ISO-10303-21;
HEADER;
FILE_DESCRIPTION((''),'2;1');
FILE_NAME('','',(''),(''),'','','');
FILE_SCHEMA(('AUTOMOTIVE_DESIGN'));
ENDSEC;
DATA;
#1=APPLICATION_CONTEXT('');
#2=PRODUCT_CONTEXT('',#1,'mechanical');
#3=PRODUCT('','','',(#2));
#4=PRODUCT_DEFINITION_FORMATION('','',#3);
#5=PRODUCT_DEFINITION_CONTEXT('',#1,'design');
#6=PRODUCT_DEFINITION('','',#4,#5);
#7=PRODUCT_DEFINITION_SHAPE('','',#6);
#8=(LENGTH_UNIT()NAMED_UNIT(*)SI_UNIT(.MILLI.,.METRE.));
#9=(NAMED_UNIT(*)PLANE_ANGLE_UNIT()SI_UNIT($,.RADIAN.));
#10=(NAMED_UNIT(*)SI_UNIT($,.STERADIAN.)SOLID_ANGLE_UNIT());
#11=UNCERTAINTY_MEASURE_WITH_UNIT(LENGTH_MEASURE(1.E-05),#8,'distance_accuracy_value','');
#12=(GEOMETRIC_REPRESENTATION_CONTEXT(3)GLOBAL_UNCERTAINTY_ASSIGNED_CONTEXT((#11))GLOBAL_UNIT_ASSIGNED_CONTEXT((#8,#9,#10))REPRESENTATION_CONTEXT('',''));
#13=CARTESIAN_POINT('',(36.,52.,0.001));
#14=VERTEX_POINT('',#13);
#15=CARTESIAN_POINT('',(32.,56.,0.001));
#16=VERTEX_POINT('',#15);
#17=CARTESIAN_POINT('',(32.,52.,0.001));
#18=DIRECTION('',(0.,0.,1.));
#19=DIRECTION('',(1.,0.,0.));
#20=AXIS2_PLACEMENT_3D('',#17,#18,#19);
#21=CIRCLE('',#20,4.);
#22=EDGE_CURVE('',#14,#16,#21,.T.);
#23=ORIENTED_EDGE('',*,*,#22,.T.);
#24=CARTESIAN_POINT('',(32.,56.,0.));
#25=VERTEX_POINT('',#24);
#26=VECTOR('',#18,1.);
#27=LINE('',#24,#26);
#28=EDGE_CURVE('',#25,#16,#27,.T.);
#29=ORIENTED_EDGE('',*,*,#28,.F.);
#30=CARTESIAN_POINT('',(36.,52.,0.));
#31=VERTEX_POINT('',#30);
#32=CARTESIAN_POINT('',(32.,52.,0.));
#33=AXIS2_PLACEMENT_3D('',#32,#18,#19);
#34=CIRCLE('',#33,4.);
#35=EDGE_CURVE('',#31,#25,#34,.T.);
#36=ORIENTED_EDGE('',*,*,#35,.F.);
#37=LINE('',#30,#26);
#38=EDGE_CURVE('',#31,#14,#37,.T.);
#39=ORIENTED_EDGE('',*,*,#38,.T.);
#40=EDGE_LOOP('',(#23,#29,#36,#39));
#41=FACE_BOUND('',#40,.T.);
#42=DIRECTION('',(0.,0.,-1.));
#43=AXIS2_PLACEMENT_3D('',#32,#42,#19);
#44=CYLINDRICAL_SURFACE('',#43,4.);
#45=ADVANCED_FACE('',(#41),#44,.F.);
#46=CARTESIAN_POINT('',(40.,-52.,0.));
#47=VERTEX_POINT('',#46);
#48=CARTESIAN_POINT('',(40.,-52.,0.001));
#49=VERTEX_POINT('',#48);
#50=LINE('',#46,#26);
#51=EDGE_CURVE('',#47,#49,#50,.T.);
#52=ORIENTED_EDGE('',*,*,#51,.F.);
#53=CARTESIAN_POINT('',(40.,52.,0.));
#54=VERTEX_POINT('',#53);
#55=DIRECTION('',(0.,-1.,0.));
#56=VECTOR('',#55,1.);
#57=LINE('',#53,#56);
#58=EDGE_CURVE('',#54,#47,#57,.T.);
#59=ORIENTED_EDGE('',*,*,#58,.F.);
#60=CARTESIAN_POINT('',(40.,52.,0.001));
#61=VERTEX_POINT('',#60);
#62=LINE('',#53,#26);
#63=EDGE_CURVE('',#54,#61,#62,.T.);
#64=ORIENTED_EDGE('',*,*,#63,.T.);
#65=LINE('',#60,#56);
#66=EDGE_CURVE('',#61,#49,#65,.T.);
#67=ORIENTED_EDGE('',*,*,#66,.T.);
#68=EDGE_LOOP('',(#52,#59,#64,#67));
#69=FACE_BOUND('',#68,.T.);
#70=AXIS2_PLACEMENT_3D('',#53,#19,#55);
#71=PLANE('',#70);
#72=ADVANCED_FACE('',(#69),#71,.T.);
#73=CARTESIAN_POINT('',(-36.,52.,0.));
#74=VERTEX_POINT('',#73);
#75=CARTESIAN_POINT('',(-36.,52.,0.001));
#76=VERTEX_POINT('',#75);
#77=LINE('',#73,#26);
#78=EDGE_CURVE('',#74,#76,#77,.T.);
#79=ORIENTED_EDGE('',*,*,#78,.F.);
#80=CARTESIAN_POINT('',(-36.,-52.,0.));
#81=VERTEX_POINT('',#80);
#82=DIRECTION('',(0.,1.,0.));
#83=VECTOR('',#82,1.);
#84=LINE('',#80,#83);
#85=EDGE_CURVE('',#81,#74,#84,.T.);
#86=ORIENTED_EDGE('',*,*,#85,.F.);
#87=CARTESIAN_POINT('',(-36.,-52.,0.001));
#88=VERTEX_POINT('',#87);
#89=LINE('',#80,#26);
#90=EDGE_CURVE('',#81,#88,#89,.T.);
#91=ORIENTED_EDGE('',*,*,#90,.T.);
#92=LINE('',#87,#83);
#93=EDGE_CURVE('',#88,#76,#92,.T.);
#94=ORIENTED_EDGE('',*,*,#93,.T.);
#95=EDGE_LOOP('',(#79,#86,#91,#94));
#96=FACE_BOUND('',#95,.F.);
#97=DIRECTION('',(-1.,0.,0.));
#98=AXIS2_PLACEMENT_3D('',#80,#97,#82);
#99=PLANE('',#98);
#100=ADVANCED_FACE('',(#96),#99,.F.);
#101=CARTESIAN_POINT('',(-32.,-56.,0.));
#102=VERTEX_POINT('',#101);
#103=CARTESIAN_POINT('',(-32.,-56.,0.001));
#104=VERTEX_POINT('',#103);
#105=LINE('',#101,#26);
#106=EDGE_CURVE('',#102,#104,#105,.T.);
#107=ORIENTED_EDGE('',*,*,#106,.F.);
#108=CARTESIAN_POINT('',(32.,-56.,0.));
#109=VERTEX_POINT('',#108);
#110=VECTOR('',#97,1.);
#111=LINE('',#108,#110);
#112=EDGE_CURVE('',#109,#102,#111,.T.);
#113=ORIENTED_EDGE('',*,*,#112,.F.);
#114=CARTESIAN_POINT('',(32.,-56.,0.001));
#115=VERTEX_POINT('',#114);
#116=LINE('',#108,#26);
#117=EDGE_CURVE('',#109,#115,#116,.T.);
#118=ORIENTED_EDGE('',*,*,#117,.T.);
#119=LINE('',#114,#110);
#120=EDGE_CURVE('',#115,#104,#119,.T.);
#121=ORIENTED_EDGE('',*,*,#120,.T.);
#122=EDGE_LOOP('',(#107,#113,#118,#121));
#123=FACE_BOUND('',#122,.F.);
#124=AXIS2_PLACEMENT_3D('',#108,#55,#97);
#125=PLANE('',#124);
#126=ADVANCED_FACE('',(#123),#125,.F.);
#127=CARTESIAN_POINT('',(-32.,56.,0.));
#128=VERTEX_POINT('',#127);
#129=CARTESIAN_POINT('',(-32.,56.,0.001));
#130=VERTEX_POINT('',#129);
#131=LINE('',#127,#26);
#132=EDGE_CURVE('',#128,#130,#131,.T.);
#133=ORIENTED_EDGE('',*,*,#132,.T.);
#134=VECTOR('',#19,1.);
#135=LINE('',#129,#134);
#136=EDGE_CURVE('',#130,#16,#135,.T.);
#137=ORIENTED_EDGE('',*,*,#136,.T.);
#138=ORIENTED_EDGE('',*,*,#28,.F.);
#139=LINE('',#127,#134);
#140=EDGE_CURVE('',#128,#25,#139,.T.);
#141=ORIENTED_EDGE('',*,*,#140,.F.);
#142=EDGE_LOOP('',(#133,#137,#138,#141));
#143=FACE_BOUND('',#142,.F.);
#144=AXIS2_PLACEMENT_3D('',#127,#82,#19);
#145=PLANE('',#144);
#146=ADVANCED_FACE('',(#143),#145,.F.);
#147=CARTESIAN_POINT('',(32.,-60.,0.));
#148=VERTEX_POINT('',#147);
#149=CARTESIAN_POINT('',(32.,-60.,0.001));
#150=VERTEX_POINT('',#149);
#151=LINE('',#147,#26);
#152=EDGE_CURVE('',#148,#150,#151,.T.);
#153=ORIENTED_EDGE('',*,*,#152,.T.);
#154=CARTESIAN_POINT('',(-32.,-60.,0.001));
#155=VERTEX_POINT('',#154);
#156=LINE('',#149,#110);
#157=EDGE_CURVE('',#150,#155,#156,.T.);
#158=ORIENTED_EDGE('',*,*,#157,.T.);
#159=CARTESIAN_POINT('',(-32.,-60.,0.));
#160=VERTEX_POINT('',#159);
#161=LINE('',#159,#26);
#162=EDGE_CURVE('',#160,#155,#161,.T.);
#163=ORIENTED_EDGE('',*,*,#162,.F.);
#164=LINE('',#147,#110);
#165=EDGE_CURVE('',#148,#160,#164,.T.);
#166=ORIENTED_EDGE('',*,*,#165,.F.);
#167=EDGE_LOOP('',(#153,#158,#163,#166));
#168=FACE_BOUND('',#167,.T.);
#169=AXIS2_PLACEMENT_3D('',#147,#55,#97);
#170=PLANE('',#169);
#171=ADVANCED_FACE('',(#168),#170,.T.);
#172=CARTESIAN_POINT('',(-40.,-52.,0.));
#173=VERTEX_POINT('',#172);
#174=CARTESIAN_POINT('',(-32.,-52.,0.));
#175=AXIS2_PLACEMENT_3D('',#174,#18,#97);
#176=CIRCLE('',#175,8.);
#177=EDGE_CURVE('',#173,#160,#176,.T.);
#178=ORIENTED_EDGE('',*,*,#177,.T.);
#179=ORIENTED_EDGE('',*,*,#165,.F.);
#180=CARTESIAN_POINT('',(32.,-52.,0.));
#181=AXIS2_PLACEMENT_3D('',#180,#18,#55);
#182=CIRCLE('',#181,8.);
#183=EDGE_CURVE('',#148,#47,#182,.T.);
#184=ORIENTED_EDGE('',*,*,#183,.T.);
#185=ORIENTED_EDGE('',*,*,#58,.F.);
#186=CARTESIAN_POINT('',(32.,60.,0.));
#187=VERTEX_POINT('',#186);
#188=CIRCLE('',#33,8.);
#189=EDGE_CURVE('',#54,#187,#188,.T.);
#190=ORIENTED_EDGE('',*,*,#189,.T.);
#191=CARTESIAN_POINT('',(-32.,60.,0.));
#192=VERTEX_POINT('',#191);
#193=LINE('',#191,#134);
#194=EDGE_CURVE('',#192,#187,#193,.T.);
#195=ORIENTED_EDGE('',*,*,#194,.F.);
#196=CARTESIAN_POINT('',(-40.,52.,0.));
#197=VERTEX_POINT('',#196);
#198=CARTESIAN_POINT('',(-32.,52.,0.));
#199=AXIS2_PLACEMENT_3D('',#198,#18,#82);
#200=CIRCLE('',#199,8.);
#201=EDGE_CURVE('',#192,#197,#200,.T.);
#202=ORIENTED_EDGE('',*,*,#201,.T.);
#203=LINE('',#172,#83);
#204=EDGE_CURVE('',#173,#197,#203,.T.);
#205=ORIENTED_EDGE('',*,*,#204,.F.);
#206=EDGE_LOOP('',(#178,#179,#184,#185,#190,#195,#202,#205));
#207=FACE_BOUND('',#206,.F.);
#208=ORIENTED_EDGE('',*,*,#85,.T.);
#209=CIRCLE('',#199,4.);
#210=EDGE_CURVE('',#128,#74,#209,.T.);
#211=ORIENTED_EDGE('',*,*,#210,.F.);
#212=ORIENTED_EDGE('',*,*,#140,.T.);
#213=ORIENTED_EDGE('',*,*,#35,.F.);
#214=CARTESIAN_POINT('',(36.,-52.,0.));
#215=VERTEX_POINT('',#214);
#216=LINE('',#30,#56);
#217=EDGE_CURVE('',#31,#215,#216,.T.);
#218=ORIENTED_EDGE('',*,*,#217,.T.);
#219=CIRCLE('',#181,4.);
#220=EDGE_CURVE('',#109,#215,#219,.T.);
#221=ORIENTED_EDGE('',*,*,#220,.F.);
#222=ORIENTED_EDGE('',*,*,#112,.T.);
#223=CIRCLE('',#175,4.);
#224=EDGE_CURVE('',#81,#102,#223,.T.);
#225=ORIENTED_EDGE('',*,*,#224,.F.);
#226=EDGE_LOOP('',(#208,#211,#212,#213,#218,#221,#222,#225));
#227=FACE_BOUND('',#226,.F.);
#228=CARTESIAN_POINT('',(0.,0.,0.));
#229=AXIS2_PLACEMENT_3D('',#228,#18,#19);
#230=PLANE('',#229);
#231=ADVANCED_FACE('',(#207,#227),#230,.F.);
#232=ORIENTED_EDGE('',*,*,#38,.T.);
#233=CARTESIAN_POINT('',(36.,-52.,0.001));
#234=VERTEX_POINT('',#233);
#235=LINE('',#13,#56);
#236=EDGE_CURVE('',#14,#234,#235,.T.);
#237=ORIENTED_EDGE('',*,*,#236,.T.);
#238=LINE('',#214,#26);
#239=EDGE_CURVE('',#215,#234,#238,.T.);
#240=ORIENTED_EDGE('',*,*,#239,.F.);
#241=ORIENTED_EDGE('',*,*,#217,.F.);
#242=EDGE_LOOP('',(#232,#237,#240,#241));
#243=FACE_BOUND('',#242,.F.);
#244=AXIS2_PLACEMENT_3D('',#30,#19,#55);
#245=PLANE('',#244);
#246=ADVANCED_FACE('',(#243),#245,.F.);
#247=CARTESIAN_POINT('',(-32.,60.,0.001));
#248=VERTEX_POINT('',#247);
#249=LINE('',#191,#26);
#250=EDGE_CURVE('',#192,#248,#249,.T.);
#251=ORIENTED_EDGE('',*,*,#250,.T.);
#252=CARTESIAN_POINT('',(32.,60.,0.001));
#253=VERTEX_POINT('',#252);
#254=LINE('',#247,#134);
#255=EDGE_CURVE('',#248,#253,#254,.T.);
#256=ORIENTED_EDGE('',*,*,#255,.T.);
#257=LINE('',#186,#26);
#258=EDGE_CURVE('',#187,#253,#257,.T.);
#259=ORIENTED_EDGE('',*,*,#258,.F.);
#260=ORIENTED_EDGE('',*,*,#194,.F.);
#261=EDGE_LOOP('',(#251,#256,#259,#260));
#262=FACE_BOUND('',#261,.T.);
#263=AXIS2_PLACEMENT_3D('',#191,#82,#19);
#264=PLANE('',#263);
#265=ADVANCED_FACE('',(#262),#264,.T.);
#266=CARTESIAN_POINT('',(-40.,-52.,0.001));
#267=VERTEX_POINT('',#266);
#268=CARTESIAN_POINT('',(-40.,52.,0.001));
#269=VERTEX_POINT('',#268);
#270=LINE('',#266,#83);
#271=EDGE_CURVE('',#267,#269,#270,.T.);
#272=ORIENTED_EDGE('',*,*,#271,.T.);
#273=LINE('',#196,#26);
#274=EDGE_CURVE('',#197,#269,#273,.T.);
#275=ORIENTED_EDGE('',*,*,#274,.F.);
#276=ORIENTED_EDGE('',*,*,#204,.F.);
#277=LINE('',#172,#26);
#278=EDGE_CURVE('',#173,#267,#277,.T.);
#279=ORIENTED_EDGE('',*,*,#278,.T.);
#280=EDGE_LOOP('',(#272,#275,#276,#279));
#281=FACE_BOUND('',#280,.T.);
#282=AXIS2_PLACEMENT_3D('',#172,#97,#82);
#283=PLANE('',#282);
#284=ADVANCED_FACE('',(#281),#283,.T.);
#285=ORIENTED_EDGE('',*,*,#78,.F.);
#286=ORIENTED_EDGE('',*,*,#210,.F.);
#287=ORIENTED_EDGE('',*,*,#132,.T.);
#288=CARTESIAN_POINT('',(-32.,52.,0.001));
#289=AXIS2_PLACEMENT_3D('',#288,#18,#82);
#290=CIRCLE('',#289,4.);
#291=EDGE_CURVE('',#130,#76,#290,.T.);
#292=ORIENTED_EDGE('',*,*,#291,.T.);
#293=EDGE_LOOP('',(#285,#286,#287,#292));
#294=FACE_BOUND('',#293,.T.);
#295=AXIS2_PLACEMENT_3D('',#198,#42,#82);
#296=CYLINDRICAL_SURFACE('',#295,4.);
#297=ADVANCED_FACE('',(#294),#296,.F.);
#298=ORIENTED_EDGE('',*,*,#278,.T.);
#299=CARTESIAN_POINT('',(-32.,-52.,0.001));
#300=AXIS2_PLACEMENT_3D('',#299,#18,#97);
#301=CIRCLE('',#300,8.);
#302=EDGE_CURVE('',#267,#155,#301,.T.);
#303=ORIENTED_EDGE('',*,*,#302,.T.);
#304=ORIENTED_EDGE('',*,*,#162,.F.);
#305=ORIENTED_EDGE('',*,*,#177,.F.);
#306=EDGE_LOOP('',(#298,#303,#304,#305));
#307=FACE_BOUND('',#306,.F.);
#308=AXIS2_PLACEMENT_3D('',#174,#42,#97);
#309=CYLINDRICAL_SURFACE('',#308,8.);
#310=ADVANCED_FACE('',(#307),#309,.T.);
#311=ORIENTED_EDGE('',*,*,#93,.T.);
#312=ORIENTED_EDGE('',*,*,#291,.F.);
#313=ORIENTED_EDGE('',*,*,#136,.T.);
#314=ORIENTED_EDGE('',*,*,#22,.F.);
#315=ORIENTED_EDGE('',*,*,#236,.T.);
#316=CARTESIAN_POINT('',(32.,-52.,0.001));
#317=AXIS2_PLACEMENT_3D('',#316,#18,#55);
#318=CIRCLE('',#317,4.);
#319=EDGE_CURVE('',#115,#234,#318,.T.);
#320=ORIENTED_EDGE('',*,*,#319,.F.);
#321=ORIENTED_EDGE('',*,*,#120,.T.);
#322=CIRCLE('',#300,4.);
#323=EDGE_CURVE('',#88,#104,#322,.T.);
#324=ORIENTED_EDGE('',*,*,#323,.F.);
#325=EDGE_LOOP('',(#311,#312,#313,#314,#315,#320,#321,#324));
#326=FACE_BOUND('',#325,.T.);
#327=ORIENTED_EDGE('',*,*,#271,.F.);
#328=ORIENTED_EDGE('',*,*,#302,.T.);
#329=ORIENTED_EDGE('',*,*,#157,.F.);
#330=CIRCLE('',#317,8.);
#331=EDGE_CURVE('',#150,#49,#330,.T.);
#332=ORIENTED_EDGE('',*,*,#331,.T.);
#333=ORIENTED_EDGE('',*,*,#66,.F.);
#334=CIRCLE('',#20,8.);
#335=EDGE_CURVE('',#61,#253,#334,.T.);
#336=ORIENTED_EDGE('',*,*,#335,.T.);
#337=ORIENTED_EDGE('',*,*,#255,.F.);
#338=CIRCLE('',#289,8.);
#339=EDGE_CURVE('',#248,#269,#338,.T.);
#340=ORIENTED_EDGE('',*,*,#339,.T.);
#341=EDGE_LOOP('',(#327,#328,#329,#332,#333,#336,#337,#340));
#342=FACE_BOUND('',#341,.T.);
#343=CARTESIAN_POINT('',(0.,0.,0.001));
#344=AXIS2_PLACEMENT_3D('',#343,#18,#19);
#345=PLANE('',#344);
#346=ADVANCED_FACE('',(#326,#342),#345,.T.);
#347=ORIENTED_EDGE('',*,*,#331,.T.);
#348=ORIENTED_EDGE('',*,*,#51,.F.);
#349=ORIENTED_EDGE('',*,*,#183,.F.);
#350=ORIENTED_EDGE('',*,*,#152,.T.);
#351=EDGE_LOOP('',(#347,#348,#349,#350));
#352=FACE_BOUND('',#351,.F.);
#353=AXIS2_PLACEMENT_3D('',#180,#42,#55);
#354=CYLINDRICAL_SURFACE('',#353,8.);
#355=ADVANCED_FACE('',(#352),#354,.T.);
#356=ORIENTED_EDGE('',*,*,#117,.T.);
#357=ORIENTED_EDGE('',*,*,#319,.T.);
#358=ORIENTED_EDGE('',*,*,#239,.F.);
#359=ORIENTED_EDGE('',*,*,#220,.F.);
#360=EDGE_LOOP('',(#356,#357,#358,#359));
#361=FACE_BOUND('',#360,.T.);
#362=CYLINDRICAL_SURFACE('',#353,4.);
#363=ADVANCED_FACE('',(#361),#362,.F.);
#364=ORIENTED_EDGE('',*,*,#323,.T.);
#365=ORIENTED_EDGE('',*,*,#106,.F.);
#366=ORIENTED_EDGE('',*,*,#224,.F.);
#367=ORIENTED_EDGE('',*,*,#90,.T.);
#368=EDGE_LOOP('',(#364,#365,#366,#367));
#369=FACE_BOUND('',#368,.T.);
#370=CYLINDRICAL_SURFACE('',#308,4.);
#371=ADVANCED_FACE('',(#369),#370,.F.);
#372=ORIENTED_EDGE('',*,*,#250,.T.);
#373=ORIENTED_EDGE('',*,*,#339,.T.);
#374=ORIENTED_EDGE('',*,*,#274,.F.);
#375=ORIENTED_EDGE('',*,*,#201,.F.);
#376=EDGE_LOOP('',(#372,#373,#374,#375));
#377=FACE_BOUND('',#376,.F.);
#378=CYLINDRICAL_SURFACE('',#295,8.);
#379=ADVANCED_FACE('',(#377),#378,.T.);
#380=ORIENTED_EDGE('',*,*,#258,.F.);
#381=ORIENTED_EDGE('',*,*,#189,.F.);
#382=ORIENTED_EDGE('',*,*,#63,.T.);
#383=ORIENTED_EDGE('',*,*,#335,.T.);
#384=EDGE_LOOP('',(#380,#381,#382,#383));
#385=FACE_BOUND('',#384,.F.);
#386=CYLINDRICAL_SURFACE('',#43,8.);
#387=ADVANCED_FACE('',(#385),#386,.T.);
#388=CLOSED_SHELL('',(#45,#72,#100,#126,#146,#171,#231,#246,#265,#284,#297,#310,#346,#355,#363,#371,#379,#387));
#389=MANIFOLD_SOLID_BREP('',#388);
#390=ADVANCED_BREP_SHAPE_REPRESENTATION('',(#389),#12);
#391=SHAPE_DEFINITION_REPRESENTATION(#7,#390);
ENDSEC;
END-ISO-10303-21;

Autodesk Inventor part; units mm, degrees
ref_plane "YZ Plane" through (0, 0, 0) normal (1, 0, 0) x (0, 1, 0)
ref_plane "Start plane" through (0, 0, 0) normal (0, 0, 1) x (1, 0, 0)
ref_plane "End plane" through (0, 0, 0.001) normal (0, 0, 1) x (1, 0, 0)
sketch "Sketch" plane through (0, 0, 0) normal (0, 0, 1) x (1, 0, 0)
  line L0 (-40, -52) -> (-40, 52)
  line L1 (-32, 60) -> (32, 60)
  line L2 (40, 52) -> (40, -52)
  line L3 (32, -60) -> (-32, -60)
  arc A0 (-40, -52) -> (-32, -60) centre (-32, -52) ccw
  arc A1 (-32, 60) -> (-40, 52) centre (-32, 52) ccw
  arc A2 (40, 52) -> (32, 60) centre (32, 52) ccw
  arc A3 (32, -60) -> (40, -52) centre (32, -52) ccw
  arc A4 (-32, 56) -> (-36, 52) centre (-32, 52) ccw
  line L4 (-32, 56) -> (32, 56)
  arc A5 (36, 52) -> (32, 56) centre (32, 52) ccw
  line L5 (36, 52) -> (36, -52)
  arc A6 (32, -56) -> (36, -52) centre (32, -52) ccw
  line L6 (32, -56) -> (-32, -56)
  arc A7 (-36, -52) -> (-32, -56) centre (-32, -52) ccw
  line L7 (-36, -52) -> (-36, 52)
  line L8 (0, 37.1021) -> (0, -37.1021) construction
  line L9 (-23.1021, 0) -> (23.1021, 0) construction
  dimension "d7" = 8
  dimension "d10" = 120
  dimension "d11" = 80
  dimension "d12" = 4
  dimension "d15" = 60
  dimension "d16" = 40
extrude "Body" add sketch "Sketch" along normal up to surface (0.001 mm away) from surface at 0
sketch "Sketch3" plane through (0, 0, 0) normal (0, 0, 1) x (1, 0, 0)
  line L0 (0, 0) -> (10, 0)
ref_plane "Work Plane3" through (0, 0, 0) normal (0, -1, 0) x (1, 0, 0)
sketch "Sketch4" plane through (0, 0, 0) normal (0, -1, 0) x (1, 0, 0)
  line L0 (-2, 0) -> (12, 0)
  line L1 (-2, 0.001) -> (12, 0.001)
  dimension "d18" = 0.001
equation "\"d7\" = G_IR"
equation "\"d10\" = G_H"
equation "\"d11\" = G_W"
equation "\"d12\" = G_T"
equation "\"d15\" = 0.5 * d10"
equation "\"d16\" = 0.5 * d11"
equation "\"d3\" = G_L"
equation "\"G_W\" = 80"
equation "\"G_H\" = 120"
equation "\"G_T\" = 4"
equation "\"G_IR\" = 8"
equation "\"G_L\" = d18"
equation "\"G_OFFSET_START\" = 0"
equation "\"G_OFFSET_END\" = 0"
equation "\"d14\" = G_OFFSET_END + B_L"
equation "\"B_L\" = 0.001"
properties part number "DIN EN 10219-2 - 120 x 80 x 4  - 0.001" material "Steel, Mild"
